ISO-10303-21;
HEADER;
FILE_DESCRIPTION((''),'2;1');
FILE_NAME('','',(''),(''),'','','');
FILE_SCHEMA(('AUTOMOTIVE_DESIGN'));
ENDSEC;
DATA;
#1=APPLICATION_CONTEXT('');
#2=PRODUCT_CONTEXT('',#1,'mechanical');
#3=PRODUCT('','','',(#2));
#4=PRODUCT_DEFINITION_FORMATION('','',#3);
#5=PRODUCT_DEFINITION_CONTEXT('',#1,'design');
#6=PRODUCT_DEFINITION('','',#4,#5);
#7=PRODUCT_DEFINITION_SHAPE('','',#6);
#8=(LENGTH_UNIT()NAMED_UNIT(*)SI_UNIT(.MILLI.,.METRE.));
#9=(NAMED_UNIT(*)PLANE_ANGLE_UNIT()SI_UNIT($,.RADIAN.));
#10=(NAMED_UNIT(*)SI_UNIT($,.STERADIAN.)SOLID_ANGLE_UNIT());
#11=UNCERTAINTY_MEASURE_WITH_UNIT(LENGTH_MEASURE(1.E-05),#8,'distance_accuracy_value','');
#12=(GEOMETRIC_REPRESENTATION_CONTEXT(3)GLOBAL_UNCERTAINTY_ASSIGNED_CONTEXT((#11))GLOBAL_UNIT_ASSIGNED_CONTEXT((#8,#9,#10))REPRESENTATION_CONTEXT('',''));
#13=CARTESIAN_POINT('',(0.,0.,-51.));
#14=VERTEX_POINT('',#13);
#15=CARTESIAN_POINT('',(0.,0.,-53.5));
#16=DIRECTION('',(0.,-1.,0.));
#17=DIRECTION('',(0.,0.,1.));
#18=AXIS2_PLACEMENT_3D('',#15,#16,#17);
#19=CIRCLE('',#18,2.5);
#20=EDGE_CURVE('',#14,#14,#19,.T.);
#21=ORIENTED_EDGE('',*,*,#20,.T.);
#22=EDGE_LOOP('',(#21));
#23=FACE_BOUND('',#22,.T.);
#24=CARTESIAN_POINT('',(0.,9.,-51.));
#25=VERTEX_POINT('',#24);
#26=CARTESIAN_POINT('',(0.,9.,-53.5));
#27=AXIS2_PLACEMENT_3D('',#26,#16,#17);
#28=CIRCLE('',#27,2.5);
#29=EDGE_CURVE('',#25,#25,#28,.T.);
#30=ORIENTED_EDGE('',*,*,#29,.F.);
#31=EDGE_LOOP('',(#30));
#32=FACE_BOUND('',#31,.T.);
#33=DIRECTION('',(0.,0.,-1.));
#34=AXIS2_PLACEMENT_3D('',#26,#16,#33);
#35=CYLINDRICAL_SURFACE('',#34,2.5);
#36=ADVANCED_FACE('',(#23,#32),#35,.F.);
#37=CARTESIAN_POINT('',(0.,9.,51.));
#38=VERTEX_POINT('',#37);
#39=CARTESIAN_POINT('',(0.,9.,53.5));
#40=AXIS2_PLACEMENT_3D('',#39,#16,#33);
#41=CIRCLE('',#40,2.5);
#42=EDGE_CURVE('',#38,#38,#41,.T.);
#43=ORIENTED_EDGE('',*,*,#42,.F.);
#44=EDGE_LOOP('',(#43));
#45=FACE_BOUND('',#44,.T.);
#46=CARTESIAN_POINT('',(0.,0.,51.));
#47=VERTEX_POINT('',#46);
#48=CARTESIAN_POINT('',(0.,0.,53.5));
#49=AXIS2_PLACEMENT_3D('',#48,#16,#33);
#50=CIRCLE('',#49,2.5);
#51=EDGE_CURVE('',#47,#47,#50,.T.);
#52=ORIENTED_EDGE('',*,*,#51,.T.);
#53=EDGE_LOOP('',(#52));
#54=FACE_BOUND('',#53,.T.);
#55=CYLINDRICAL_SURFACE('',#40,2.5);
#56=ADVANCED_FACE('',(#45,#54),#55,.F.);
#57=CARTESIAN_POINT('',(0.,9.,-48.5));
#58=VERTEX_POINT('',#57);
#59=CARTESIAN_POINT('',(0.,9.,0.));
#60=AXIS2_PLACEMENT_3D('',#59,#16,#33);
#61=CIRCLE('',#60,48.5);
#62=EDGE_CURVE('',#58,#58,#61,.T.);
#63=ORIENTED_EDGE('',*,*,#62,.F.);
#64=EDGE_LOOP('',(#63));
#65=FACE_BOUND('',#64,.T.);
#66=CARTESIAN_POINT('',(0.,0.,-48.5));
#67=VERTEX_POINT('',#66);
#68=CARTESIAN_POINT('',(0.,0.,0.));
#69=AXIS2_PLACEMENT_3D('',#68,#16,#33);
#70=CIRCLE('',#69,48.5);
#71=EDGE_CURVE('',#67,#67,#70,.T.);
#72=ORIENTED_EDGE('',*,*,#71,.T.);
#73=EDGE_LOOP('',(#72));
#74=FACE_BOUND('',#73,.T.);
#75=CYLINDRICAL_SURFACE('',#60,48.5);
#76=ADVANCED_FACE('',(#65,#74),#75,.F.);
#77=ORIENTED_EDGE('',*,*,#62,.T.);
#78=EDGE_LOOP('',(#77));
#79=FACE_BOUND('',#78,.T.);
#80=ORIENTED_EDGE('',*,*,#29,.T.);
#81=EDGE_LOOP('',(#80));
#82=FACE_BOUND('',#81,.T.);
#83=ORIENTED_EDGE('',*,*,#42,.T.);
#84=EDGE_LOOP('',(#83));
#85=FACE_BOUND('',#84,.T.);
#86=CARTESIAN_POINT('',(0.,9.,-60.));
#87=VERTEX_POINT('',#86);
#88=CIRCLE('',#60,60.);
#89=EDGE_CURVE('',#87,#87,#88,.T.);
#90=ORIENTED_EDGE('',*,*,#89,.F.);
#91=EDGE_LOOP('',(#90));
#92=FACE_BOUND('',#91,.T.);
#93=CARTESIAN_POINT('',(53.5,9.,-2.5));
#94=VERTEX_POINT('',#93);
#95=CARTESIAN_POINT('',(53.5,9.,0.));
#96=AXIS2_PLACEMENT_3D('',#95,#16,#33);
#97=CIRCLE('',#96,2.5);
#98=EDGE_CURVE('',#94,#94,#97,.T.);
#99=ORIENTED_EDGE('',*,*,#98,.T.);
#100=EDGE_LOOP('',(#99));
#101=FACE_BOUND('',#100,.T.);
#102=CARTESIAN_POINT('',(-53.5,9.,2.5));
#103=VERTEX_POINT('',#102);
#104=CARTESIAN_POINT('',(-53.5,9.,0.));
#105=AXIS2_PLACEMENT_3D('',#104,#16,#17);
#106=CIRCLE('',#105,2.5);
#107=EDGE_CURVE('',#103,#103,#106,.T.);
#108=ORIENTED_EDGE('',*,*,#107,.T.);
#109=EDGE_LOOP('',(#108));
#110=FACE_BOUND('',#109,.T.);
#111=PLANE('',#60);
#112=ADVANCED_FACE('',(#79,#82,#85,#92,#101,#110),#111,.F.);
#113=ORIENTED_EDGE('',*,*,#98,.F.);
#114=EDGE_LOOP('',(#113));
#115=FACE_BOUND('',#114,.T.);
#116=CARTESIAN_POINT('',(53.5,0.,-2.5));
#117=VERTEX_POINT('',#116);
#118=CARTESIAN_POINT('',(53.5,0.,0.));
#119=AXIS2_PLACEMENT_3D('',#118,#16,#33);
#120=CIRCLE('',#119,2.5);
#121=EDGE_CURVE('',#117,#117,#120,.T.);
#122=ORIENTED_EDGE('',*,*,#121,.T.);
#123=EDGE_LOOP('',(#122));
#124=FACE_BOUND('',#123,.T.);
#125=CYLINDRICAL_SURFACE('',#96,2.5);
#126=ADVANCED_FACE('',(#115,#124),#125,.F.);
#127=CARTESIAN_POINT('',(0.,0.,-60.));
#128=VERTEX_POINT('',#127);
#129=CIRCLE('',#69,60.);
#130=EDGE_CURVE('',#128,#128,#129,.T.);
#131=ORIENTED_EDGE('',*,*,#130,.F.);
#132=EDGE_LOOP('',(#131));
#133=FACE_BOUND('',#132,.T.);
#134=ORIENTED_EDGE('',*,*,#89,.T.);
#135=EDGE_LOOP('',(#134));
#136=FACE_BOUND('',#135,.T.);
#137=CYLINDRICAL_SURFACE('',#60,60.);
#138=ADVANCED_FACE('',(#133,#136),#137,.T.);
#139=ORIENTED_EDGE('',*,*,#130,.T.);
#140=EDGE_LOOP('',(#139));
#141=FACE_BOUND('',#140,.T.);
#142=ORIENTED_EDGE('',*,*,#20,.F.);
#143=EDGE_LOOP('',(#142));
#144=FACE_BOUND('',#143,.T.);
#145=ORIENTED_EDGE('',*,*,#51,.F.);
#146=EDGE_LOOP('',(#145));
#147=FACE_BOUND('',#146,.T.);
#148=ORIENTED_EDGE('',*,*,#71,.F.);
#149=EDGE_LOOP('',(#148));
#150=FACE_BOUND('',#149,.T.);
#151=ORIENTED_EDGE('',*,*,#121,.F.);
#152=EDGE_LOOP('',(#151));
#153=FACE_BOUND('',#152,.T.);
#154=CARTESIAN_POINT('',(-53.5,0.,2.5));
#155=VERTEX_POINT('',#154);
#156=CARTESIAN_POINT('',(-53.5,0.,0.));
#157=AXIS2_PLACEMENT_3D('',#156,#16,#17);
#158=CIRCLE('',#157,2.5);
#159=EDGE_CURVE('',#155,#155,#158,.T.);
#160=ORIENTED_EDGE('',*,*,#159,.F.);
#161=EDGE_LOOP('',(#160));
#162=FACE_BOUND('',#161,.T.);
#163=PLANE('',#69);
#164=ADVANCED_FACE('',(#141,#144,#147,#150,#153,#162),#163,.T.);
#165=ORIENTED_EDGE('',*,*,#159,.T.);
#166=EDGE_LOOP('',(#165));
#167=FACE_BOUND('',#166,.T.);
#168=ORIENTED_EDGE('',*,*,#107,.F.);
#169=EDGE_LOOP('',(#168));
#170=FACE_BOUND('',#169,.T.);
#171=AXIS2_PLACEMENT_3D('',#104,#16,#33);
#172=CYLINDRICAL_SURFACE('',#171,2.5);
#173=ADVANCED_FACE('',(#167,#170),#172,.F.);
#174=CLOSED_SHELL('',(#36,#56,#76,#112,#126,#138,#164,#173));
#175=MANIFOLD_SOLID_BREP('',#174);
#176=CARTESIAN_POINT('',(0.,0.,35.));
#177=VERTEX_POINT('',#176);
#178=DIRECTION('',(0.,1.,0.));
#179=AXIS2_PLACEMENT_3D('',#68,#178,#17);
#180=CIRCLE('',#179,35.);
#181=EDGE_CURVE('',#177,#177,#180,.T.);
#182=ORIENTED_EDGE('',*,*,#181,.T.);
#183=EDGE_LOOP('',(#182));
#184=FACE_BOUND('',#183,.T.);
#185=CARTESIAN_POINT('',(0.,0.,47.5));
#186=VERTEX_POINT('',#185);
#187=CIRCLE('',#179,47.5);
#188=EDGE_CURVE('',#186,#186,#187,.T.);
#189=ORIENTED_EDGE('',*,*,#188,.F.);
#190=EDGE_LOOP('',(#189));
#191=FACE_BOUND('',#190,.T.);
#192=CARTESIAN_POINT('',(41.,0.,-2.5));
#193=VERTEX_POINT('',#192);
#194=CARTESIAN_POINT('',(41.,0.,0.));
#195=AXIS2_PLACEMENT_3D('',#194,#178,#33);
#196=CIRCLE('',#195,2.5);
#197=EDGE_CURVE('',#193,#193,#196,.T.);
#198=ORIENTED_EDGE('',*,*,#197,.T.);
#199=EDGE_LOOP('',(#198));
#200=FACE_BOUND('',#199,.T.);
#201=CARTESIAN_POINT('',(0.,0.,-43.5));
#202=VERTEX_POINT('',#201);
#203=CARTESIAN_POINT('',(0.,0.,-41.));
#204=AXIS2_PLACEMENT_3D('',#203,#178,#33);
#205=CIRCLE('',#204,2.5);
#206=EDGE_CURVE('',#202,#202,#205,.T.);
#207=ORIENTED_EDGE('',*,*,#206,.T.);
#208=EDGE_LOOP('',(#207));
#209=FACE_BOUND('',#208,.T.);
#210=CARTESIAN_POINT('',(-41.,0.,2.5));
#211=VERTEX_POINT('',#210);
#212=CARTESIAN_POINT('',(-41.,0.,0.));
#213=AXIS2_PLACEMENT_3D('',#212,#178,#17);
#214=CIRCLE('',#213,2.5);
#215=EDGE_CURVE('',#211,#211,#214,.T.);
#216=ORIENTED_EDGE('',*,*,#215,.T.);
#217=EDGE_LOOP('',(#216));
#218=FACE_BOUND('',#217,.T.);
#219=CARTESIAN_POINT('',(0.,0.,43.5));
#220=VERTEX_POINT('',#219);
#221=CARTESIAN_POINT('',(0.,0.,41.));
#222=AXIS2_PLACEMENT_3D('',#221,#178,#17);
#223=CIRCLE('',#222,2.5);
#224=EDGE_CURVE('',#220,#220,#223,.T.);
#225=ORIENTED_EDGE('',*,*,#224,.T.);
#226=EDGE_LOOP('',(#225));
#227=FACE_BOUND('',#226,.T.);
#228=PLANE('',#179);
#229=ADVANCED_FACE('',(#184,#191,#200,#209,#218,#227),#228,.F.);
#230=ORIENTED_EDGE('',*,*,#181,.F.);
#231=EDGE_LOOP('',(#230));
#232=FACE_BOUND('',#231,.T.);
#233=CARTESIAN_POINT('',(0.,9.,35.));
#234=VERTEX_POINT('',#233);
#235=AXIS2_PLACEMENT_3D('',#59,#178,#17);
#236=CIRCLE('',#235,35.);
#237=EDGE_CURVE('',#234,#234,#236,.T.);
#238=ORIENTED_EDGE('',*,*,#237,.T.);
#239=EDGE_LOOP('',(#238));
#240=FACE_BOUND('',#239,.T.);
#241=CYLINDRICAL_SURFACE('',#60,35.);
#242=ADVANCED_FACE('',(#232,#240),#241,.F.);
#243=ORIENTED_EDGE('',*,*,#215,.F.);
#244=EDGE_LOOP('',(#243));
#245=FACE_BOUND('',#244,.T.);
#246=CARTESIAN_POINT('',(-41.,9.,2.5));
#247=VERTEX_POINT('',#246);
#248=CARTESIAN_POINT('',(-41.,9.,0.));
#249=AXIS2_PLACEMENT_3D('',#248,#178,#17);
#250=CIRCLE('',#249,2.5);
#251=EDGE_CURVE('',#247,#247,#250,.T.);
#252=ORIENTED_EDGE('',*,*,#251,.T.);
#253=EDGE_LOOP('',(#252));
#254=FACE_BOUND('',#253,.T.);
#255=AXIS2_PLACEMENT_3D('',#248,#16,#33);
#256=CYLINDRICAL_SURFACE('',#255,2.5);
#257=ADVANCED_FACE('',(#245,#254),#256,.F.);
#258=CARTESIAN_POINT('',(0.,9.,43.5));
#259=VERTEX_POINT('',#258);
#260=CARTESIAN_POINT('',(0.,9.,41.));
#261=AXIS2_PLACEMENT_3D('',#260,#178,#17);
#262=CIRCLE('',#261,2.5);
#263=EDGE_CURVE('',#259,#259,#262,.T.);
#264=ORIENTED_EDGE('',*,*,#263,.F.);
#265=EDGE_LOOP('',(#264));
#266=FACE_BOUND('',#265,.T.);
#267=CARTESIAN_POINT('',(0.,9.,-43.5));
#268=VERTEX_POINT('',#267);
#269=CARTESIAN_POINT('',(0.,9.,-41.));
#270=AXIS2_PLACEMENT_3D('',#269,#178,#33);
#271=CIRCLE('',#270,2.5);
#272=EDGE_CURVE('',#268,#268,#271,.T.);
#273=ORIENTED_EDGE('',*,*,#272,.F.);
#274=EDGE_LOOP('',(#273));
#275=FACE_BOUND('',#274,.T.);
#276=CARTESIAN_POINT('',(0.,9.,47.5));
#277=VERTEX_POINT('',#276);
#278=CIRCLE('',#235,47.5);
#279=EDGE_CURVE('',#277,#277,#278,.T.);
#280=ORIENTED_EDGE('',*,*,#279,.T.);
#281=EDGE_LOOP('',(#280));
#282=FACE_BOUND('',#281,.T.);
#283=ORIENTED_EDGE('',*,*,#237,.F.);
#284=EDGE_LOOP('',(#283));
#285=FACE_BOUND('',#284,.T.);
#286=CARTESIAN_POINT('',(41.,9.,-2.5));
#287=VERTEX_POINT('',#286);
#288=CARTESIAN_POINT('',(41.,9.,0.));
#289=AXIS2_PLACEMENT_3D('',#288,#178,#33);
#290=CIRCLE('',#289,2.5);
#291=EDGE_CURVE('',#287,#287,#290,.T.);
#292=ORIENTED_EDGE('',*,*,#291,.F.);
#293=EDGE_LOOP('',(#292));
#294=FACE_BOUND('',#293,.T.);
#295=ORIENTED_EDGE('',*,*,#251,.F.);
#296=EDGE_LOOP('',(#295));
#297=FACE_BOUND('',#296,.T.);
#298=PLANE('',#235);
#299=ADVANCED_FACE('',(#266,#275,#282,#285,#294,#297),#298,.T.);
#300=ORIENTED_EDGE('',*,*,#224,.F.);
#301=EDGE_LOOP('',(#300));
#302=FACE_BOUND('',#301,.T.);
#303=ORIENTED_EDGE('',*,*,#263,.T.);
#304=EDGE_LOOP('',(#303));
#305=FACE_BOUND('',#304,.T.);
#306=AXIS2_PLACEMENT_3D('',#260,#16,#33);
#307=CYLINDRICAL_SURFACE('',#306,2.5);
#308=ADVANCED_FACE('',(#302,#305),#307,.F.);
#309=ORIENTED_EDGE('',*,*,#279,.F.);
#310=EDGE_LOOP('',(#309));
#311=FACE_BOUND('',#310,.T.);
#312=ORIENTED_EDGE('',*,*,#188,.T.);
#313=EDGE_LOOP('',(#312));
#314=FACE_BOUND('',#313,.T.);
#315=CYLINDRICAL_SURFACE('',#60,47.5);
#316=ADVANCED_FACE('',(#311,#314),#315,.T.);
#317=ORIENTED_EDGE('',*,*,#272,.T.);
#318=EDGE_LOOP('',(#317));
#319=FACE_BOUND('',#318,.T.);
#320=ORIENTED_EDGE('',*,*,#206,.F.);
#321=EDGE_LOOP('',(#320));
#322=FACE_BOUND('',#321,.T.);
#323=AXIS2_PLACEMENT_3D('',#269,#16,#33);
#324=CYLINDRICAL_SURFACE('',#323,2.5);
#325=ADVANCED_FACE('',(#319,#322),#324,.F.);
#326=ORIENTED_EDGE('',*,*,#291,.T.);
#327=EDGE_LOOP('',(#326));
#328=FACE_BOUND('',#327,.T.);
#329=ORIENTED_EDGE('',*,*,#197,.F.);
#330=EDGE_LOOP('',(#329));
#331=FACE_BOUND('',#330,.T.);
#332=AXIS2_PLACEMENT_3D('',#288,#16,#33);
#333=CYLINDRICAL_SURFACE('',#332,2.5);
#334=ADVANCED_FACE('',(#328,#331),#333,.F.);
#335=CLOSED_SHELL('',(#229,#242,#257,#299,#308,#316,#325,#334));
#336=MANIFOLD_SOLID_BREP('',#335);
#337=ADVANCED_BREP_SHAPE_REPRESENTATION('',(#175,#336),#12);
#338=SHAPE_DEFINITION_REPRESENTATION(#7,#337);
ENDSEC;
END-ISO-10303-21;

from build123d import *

# Parameters (mm, degrees)
SKETCH_1_R      = 47.5
SKETCH_1_R_2    = 35
SKETCH_1_R_3    = 2.5
EXTRUDE_1_DEPTH = 9
SKETCH_2_R      = 60
SKETCH_2_R_2    = 48.5
SKETCH_2_R_3    = 2.5
EXTRUDE_2_DEPTH = 9


with BuildPart() as part:
    # 草图1 → 凸台-拉伸1 (new body)
    with BuildSketch(Plane(origin=(0, 0, 0), x_dir=(1, 0, 0), z_dir=(0, 1, 0))):
        with Locations(Location((0, 0, 0), (0, 0, 270))):
            Circle(SKETCH_1_R)
        with Locations(Location((0, 0, 0), (0, 0, 270))):
            Circle(SKETCH_1_R_2, mode=Mode.SUBTRACT)
        with Locations(Location((-41, 0, 0), (0, 0, 270))):
            Circle(SKETCH_1_R_3, mode=Mode.SUBTRACT)
        with Locations(Location((41, 0, 0), (0, 0, 90))):
            Circle(SKETCH_1_R_3, mode=Mode.SUBTRACT)
        with Locations(Location((0, -41, 0), (0, 0, 270))):
            Circle(SKETCH_1_R_3, mode=Mode.SUBTRACT)
        with Locations(Location((0, 41, 0), (0, 0, 90))):
            Circle(SKETCH_1_R_3, mode=Mode.SUBTRACT)
    extrude(amount=EXTRUDE_1_DEPTH)


with BuildPart() as body_2:
    # 草图2 → 凸台-拉伸2 (new body)
    with BuildSketch(Plane.XZ):
        with Locations(Location((0, 0, 0), (0, 0, 270))):
            Circle(SKETCH_2_R)
        with Locations(Location((0, 0, 0), (0, 0, 270))):
            Circle(SKETCH_2_R_2, mode=Mode.SUBTRACT)
        with Locations(Location((0, 53.5, 0), (0, 0, 270))):
            Circle(SKETCH_2_R_3, mode=Mode.SUBTRACT)
        with Locations(Location((-53.5, 0, 0), (0, 0, 90))):
            Circle(SKETCH_2_R_3, mode=Mode.SUBTRACT)
        with Locations(Location((0, -53.5, 0), (0, 0, 90))):
            Circle(SKETCH_2_R_3, mode=Mode.SUBTRACT)
        with Locations(Location((53.5, 0, 0), (0, 0, 270))):
            Circle(SKETCH_2_R_3, mode=Mode.SUBTRACT)
    extrude(amount=-EXTRUDE_2_DEPTH)


solid = Compound([part.part, body_2.part])
